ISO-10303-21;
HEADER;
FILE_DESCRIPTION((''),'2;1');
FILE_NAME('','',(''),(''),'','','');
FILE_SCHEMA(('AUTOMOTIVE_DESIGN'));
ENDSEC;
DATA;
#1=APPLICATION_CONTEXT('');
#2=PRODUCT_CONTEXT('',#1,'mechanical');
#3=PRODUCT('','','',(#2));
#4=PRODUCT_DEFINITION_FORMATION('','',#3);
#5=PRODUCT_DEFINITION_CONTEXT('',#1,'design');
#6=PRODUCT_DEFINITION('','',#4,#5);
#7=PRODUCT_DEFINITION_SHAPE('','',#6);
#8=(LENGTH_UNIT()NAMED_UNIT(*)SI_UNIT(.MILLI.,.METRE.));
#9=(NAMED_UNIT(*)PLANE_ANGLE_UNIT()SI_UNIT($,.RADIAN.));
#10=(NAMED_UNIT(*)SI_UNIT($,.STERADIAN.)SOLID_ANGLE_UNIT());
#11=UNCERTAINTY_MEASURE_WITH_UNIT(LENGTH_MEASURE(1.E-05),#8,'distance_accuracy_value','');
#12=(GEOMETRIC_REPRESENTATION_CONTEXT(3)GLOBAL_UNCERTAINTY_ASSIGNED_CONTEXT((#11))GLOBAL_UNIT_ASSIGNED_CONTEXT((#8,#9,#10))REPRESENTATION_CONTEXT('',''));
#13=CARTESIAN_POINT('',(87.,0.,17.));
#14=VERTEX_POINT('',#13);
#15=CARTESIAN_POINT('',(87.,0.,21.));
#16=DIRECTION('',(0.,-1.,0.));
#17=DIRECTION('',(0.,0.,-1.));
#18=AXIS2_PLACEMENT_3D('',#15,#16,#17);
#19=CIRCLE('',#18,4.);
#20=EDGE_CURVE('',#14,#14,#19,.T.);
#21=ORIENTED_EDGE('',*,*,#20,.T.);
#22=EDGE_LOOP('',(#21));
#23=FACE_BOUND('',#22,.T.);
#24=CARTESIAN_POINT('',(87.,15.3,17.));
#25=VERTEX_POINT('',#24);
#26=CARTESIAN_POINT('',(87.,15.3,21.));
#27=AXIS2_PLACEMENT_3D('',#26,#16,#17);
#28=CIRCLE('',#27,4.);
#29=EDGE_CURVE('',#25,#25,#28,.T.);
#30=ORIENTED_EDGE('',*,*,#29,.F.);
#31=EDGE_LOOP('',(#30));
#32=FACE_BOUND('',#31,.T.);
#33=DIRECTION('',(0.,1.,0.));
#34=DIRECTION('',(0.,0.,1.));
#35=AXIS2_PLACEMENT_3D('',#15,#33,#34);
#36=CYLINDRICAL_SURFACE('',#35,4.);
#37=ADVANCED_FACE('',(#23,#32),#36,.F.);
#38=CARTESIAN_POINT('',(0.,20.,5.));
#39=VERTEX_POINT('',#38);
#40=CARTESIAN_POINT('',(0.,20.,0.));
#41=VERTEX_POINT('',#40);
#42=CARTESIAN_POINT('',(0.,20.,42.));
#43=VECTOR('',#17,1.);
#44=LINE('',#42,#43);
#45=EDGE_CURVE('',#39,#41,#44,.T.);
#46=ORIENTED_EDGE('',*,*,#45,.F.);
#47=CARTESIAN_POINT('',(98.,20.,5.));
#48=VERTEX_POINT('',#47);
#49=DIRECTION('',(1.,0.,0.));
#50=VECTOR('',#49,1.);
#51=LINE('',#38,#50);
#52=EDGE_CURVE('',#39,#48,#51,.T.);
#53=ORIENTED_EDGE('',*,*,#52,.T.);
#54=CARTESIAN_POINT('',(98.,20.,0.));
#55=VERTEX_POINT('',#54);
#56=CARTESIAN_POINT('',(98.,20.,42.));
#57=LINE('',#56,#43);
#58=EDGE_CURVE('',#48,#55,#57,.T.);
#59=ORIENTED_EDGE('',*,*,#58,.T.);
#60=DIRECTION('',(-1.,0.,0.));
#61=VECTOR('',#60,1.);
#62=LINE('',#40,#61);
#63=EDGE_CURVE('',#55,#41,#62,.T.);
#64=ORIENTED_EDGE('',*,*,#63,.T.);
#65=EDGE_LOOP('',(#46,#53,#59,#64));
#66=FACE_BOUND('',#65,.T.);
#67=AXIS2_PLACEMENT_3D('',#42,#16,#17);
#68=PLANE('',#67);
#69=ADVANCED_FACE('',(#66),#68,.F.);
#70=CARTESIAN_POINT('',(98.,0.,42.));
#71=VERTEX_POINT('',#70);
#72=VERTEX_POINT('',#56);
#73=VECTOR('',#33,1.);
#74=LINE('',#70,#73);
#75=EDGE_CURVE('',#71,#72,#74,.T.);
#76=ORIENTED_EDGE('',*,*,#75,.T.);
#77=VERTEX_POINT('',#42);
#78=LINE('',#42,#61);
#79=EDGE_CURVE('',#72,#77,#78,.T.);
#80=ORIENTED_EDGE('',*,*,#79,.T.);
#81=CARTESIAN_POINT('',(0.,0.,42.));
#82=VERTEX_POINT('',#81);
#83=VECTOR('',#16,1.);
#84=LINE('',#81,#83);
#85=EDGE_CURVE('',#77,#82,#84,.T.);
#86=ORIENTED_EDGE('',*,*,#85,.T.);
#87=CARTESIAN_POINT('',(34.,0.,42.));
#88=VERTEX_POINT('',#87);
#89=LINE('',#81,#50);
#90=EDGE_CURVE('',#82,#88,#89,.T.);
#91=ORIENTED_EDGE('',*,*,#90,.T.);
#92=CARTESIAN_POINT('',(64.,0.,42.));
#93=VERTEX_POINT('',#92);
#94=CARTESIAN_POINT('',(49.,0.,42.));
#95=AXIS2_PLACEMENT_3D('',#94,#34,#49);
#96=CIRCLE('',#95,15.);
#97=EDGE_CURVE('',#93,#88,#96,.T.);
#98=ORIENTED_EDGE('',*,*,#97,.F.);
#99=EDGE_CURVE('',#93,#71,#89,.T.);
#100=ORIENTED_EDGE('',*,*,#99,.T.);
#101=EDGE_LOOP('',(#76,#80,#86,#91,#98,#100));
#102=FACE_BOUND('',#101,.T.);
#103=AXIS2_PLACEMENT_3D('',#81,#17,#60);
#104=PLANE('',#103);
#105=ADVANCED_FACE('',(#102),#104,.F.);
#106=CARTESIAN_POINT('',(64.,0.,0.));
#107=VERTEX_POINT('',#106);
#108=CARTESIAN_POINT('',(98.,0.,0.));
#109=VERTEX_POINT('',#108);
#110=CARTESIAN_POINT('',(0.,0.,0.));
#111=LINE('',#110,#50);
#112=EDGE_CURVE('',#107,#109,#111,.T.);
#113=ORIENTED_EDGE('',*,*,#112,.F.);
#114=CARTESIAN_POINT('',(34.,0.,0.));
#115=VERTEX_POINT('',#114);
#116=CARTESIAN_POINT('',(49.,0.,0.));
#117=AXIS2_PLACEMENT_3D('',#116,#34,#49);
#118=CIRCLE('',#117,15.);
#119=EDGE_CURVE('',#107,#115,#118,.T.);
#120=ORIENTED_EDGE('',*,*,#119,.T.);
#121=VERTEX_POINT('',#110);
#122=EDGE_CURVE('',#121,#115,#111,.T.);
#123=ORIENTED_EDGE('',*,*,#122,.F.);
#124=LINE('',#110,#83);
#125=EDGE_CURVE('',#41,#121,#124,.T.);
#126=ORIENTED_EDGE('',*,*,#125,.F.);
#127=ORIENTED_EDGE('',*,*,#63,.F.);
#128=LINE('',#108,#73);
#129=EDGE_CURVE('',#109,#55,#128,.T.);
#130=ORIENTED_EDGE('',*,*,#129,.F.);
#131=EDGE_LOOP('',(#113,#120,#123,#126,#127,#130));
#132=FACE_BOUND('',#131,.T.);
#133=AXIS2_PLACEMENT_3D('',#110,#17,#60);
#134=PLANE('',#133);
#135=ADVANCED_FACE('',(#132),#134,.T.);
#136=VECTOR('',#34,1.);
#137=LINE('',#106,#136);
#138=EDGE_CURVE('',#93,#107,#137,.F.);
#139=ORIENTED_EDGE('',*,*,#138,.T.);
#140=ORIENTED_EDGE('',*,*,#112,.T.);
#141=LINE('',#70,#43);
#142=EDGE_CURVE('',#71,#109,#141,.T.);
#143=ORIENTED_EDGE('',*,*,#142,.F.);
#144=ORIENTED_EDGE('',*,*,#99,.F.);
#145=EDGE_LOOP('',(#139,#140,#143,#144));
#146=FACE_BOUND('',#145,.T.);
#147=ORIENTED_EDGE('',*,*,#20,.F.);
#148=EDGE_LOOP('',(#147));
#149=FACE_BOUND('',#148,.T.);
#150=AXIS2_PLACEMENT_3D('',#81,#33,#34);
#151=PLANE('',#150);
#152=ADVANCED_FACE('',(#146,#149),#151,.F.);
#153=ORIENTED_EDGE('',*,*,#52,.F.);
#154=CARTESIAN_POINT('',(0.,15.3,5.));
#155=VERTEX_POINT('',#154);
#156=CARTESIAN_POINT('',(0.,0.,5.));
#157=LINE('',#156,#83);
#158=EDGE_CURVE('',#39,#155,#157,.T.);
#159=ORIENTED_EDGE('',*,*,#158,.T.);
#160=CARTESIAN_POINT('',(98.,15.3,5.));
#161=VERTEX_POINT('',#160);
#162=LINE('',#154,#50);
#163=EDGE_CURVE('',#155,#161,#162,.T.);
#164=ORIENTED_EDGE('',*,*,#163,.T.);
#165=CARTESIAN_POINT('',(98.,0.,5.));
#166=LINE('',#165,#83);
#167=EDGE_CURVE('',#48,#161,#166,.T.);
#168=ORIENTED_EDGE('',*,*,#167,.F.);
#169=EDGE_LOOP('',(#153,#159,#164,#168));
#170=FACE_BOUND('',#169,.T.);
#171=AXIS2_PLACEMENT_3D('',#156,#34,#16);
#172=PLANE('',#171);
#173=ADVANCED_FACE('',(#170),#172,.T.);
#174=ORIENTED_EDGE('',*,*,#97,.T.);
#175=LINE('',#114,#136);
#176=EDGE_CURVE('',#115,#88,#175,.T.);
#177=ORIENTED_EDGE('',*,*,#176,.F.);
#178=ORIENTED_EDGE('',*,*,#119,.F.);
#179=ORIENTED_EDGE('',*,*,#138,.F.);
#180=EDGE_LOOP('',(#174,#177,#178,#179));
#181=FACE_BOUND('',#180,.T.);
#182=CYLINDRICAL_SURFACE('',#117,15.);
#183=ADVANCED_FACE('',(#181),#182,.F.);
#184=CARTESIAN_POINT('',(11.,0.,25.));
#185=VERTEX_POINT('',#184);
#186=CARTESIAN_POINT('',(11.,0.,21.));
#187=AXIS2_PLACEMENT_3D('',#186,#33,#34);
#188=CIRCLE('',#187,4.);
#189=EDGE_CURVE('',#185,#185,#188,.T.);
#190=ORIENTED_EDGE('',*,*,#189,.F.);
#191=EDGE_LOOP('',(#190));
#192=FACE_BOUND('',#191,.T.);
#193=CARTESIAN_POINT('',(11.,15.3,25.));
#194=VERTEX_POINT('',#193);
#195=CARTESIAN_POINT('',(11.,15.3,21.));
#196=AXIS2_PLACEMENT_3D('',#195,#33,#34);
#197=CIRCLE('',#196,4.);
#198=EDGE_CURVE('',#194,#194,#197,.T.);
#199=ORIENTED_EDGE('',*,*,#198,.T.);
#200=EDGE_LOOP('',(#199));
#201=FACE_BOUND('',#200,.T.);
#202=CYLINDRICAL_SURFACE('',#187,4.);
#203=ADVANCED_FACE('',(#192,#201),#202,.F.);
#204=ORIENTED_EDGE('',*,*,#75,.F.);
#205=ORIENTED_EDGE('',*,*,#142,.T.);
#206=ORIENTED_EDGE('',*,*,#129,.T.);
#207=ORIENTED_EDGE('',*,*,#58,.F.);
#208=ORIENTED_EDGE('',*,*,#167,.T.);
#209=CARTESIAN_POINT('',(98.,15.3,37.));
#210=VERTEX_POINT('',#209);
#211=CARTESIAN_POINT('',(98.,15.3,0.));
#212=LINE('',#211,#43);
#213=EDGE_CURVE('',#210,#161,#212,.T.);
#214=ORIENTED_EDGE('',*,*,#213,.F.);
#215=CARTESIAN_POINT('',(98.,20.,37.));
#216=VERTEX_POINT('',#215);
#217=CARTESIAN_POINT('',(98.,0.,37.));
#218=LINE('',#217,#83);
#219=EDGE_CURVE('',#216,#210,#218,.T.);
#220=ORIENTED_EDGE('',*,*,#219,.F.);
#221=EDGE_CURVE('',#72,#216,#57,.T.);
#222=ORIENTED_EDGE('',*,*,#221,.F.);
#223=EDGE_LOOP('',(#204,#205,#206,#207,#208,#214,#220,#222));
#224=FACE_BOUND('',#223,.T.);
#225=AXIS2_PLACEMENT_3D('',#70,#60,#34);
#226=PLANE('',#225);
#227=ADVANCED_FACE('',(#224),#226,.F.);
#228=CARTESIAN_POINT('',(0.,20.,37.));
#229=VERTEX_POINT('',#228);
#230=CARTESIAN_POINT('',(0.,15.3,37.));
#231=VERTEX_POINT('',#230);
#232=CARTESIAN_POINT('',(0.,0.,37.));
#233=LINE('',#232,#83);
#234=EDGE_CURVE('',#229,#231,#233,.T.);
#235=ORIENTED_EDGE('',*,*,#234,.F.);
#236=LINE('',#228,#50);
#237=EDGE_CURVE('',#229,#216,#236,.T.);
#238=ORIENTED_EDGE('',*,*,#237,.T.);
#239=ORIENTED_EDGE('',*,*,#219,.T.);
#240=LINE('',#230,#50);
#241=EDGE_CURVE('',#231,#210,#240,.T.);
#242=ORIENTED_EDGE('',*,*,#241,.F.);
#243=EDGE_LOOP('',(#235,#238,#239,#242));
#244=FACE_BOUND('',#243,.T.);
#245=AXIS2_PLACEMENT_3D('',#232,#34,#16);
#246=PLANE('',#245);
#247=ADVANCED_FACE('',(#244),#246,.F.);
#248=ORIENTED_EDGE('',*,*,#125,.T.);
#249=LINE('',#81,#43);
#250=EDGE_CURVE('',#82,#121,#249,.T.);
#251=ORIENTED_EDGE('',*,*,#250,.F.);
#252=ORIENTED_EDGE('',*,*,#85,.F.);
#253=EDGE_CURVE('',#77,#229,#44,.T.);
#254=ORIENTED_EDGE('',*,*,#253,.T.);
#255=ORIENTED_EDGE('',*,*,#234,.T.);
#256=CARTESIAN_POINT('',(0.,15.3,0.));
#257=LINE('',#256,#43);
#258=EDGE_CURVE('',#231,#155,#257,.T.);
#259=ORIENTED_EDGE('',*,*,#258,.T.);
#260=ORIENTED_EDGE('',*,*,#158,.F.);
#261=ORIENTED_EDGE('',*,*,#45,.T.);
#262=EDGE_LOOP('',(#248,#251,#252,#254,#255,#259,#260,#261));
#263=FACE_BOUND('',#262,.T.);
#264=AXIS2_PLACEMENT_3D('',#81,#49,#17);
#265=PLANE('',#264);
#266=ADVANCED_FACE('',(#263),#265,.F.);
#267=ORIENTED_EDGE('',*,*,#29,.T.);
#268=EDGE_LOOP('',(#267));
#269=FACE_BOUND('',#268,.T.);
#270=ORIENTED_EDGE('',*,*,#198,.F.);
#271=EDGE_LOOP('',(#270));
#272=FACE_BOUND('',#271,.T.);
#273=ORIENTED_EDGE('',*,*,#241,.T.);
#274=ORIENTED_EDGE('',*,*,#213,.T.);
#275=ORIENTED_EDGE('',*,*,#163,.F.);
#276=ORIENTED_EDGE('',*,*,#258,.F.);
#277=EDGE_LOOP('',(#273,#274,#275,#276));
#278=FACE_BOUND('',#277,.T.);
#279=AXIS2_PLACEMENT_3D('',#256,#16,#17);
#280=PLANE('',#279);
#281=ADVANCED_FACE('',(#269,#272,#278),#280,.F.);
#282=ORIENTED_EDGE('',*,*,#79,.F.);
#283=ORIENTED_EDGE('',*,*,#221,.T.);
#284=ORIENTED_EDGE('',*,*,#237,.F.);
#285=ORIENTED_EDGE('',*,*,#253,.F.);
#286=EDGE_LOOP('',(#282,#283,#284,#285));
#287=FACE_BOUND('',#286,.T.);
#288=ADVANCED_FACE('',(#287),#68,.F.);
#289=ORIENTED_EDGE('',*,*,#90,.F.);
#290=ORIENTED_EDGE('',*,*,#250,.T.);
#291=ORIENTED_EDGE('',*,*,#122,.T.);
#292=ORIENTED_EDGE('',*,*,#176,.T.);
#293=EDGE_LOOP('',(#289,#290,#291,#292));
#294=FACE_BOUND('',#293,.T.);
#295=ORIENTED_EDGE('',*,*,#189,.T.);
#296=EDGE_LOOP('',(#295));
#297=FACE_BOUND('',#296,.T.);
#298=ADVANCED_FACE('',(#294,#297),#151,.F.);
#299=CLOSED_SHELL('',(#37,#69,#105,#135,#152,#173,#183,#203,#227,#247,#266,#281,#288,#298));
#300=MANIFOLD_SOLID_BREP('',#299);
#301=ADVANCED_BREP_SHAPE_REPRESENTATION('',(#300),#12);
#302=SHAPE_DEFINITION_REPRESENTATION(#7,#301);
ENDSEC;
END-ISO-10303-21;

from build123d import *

# Parameters (mm, degrees)
SKETCH2_W           = 98
SKETCH2_H           = 20
BOSS_EXTRUDE1_DEPTH = 42
SKETCH4_W           = 32
SKETCH4_H           = 4.7
CUT_EXTRUDE1_DEPTH  = 109.480412979
SKETCH6_R           = 4
CUT_EXTRUDE3_DEPTH  = 108.712998287
SKETCH7_R           = 15
CUT_EXTRUDE4_DEPTH  = 109.480412979


with BuildPart() as part:
    # Sketch2 → Boss-Extrude1 (new body)
    with BuildSketch(Plane.XY):
        with Locations((49, 10)):
            Rectangle(SKETCH2_W, SKETCH2_H)
    extrude(amount=BOSS_EXTRUDE1_DEPTH)

    # Sketch4 → Cut-Extrude1 (cut, through all)
    with BuildSketch(Plane(origin=(98, 0, 0), x_dir=(0, 0, -1), z_dir=(1, 0, 0))):
        with Locations((-21, 17.65)):
            Rectangle(SKETCH4_W, SKETCH4_H)
    extrude(amount=-CUT_EXTRUDE1_DEPTH, mode=Mode.SUBTRACT)

    # Sketch6 → Cut-Extrude3 (cut, through all)
    with BuildSketch(Plane(origin=(0, 15.3, 0), x_dir=(1, 0, 0), z_dir=(0, 1, 0))):
        with Locations(Location((11, -21, 0), (0, 0, 270))):
            Circle(SKETCH6_R)
        with Locations(Location((87, -21, 0), (0, 0, 90))):
            Circle(SKETCH6_R)
    extrude(amount=-CUT_EXTRUDE3_DEPTH, mode=Mode.SUBTRACT)

    # Sketch7 → Cut-Extrude4 (cut, through all)
    with BuildSketch(Plane.XY.offset(42)):
        with Locations((49, 0)):
            Circle(SKETCH7_R)
    extrude(amount=-CUT_EXTRUDE4_DEPTH, mode=Mode.SUBTRACT)


solid = part.part
